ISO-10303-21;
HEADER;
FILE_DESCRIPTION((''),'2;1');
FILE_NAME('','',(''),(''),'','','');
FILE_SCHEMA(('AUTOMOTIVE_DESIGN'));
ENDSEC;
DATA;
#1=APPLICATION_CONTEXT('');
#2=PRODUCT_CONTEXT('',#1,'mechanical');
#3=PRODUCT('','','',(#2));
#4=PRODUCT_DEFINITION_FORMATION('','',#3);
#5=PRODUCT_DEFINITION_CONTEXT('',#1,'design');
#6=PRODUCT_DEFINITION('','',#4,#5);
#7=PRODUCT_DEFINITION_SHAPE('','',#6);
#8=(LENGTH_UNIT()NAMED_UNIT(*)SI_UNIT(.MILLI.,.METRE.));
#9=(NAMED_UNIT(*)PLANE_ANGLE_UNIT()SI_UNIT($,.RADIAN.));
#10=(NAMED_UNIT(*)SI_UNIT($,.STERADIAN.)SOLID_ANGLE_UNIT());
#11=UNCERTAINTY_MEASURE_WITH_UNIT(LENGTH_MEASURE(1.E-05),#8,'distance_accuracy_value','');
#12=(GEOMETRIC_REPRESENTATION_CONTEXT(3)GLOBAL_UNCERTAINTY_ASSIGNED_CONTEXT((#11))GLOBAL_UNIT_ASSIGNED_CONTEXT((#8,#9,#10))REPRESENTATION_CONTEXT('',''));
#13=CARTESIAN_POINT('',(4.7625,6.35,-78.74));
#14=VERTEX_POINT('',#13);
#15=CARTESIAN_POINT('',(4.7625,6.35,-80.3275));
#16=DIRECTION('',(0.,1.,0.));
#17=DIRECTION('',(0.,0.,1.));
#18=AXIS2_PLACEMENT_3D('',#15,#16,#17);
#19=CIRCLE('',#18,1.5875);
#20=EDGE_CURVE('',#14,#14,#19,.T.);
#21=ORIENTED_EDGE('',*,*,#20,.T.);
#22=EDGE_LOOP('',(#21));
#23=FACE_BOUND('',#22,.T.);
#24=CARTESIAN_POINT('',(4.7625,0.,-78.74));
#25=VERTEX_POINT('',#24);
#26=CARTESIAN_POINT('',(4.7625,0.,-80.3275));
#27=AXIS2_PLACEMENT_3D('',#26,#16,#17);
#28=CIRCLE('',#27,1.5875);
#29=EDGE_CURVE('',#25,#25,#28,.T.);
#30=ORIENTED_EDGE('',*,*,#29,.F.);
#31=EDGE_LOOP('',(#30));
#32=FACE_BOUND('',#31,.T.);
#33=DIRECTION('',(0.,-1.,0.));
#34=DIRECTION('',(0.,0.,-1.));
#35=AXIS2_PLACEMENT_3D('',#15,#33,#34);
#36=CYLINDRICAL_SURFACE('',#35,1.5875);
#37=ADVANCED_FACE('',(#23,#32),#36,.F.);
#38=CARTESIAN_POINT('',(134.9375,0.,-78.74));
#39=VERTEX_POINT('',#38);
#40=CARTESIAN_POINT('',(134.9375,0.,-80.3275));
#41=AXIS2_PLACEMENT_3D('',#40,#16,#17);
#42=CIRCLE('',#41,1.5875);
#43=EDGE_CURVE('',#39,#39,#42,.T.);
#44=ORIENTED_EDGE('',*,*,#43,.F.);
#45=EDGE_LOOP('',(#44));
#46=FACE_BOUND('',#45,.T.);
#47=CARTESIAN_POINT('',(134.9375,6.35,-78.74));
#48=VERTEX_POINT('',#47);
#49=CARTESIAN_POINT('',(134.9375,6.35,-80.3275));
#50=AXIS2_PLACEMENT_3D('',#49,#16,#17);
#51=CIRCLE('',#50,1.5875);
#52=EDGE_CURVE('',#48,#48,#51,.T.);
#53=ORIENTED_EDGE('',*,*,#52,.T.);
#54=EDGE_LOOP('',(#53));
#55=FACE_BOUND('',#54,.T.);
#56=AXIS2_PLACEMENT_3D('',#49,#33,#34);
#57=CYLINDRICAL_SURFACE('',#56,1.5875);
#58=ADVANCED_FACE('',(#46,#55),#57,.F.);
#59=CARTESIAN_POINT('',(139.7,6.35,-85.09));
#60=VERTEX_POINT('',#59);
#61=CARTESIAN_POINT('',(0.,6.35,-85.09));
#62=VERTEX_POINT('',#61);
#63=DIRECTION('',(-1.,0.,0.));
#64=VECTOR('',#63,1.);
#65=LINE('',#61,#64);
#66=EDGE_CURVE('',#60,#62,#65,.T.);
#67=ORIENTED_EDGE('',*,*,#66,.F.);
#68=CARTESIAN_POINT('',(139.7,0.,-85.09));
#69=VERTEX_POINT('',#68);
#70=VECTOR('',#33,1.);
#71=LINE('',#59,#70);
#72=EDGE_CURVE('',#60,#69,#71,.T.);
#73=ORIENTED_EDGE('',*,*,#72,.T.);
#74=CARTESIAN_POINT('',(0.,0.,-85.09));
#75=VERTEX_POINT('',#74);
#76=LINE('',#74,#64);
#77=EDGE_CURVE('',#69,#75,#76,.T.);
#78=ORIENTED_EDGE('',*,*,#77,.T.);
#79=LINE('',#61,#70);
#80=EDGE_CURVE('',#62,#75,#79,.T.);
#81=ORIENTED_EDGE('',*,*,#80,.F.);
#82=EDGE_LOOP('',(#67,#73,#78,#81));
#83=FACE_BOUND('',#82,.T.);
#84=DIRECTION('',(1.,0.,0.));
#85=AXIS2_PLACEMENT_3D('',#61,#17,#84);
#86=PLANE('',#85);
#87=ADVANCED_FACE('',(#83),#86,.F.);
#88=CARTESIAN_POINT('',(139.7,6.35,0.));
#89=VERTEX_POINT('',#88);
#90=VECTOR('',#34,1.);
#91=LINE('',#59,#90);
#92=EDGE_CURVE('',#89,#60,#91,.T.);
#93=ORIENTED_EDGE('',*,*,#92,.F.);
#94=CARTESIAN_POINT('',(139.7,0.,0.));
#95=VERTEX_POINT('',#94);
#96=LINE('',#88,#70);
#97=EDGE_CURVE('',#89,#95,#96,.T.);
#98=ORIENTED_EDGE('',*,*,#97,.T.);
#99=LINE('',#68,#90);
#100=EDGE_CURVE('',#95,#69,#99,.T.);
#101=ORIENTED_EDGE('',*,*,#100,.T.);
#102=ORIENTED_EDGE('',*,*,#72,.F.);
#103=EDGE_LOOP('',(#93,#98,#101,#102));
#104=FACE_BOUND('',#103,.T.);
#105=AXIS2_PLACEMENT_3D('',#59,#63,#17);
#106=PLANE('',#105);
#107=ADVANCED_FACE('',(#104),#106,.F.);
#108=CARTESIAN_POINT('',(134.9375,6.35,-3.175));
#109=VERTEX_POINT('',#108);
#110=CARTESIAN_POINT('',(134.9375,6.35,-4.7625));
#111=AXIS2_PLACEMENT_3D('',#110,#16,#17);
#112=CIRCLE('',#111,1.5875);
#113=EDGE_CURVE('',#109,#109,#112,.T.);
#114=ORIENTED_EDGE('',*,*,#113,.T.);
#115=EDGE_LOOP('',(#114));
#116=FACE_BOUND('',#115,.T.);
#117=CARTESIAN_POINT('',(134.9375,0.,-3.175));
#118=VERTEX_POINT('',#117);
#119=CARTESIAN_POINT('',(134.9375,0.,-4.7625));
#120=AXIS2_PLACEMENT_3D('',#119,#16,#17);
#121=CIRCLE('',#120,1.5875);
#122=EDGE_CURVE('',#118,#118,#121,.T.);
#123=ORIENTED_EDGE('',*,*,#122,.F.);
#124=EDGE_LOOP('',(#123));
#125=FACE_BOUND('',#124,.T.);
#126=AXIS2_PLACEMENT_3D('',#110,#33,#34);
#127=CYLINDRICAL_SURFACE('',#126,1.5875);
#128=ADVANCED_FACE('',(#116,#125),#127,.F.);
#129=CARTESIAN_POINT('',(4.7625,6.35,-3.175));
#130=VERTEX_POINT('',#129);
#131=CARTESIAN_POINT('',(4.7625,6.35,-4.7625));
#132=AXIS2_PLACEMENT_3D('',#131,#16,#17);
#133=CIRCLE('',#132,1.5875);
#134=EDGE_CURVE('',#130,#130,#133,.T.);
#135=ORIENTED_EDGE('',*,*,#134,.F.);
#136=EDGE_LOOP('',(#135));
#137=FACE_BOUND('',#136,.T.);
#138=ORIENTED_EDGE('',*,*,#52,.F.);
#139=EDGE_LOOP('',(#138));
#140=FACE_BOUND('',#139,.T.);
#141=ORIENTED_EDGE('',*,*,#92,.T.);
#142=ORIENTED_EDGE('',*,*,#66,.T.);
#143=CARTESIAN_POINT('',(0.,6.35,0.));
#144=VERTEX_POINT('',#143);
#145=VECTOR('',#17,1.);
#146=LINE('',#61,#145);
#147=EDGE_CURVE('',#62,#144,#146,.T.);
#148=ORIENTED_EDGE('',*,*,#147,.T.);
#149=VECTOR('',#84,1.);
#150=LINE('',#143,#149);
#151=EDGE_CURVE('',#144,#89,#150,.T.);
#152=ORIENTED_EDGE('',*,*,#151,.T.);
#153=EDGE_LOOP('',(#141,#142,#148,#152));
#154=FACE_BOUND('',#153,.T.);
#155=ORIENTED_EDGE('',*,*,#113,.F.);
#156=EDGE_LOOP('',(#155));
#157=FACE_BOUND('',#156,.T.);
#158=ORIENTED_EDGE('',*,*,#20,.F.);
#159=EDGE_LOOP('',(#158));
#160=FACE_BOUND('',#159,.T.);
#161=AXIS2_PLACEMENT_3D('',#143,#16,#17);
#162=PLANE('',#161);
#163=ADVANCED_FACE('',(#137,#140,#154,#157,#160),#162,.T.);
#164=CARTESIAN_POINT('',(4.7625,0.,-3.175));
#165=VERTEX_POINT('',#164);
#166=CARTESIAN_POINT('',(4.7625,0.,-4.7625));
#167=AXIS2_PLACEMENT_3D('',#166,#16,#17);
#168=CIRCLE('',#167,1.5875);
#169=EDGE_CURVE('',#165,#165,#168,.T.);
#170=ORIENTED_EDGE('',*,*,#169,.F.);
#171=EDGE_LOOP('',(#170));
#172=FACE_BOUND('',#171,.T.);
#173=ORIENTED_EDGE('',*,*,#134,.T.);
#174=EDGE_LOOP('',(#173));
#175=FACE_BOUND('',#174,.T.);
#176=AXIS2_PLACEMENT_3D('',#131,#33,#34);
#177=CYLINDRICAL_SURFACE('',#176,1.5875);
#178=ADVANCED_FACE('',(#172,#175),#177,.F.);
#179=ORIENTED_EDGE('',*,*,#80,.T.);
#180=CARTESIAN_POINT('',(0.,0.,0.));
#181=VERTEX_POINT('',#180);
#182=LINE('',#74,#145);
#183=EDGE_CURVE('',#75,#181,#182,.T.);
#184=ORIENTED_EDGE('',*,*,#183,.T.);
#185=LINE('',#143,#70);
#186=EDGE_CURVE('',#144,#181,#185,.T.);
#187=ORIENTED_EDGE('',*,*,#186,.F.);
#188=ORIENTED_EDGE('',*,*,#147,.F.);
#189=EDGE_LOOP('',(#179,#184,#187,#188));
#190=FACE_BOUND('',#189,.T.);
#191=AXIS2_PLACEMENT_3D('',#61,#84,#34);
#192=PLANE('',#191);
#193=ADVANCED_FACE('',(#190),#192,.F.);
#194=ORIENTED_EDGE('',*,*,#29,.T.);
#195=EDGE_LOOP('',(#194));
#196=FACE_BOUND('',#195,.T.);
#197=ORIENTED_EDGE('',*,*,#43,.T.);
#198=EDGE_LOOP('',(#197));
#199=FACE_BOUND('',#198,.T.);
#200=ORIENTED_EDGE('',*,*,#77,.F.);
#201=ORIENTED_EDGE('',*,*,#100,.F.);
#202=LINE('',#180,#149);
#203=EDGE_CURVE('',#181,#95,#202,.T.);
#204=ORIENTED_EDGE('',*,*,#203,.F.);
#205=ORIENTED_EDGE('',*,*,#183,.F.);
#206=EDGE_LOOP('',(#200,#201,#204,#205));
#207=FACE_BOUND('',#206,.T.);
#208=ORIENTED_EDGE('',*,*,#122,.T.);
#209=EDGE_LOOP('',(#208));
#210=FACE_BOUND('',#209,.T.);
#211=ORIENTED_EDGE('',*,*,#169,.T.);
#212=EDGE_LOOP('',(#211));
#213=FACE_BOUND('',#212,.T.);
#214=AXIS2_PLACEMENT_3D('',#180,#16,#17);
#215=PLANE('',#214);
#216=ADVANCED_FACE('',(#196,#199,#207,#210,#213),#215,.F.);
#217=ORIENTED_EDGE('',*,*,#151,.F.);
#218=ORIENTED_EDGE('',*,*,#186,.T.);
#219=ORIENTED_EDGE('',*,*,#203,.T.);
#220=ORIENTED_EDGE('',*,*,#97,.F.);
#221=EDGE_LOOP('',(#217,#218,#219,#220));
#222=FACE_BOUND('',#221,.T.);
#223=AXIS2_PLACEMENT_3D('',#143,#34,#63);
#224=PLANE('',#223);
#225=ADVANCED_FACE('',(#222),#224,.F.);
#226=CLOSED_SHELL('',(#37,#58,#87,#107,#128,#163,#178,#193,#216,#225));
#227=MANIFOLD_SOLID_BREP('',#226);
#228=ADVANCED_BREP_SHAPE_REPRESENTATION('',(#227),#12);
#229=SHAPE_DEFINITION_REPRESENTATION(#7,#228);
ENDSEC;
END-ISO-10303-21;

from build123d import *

# Parameters (mm, degrees)
SKETCH2_W           = 139.7
SKETCH2_H           = 85.09
SKETCH2_R           = 1.5875
BOSS_EXTRUDE1_DEPTH = 6.35


with BuildPart() as part:
    # Sketch2 → Boss-Extrude1 (new body)
    with BuildSketch(Plane(origin=(0, 0, 0), x_dir=(1, 0, 0), z_dir=(0, 1, 0))):
        with Locations((69.85, 42.545)):
            Rectangle(SKETCH2_W, SKETCH2_H)
        with Locations(Location((4.7625, 80.3275, 0), (0, 0, 270))):
            Circle(SKETCH2_R, mode=Mode.SUBTRACT)
        with Locations(Location((4.7625, 4.7625, 0), (0, 0, 270))):
            Circle(SKETCH2_R, mode=Mode.SUBTRACT)
        with Locations(Location((134.9375, 4.7625, 0), (0, 0, 270))):
            Circle(SKETCH2_R, mode=Mode.SUBTRACT)
        with Locations(Location((134.9375, 80.3275, 0), (0, 0, 270))):
            Circle(SKETCH2_R, mode=Mode.SUBTRACT)
    extrude(amount=BOSS_EXTRUDE1_DEPTH)


solid = part.part
